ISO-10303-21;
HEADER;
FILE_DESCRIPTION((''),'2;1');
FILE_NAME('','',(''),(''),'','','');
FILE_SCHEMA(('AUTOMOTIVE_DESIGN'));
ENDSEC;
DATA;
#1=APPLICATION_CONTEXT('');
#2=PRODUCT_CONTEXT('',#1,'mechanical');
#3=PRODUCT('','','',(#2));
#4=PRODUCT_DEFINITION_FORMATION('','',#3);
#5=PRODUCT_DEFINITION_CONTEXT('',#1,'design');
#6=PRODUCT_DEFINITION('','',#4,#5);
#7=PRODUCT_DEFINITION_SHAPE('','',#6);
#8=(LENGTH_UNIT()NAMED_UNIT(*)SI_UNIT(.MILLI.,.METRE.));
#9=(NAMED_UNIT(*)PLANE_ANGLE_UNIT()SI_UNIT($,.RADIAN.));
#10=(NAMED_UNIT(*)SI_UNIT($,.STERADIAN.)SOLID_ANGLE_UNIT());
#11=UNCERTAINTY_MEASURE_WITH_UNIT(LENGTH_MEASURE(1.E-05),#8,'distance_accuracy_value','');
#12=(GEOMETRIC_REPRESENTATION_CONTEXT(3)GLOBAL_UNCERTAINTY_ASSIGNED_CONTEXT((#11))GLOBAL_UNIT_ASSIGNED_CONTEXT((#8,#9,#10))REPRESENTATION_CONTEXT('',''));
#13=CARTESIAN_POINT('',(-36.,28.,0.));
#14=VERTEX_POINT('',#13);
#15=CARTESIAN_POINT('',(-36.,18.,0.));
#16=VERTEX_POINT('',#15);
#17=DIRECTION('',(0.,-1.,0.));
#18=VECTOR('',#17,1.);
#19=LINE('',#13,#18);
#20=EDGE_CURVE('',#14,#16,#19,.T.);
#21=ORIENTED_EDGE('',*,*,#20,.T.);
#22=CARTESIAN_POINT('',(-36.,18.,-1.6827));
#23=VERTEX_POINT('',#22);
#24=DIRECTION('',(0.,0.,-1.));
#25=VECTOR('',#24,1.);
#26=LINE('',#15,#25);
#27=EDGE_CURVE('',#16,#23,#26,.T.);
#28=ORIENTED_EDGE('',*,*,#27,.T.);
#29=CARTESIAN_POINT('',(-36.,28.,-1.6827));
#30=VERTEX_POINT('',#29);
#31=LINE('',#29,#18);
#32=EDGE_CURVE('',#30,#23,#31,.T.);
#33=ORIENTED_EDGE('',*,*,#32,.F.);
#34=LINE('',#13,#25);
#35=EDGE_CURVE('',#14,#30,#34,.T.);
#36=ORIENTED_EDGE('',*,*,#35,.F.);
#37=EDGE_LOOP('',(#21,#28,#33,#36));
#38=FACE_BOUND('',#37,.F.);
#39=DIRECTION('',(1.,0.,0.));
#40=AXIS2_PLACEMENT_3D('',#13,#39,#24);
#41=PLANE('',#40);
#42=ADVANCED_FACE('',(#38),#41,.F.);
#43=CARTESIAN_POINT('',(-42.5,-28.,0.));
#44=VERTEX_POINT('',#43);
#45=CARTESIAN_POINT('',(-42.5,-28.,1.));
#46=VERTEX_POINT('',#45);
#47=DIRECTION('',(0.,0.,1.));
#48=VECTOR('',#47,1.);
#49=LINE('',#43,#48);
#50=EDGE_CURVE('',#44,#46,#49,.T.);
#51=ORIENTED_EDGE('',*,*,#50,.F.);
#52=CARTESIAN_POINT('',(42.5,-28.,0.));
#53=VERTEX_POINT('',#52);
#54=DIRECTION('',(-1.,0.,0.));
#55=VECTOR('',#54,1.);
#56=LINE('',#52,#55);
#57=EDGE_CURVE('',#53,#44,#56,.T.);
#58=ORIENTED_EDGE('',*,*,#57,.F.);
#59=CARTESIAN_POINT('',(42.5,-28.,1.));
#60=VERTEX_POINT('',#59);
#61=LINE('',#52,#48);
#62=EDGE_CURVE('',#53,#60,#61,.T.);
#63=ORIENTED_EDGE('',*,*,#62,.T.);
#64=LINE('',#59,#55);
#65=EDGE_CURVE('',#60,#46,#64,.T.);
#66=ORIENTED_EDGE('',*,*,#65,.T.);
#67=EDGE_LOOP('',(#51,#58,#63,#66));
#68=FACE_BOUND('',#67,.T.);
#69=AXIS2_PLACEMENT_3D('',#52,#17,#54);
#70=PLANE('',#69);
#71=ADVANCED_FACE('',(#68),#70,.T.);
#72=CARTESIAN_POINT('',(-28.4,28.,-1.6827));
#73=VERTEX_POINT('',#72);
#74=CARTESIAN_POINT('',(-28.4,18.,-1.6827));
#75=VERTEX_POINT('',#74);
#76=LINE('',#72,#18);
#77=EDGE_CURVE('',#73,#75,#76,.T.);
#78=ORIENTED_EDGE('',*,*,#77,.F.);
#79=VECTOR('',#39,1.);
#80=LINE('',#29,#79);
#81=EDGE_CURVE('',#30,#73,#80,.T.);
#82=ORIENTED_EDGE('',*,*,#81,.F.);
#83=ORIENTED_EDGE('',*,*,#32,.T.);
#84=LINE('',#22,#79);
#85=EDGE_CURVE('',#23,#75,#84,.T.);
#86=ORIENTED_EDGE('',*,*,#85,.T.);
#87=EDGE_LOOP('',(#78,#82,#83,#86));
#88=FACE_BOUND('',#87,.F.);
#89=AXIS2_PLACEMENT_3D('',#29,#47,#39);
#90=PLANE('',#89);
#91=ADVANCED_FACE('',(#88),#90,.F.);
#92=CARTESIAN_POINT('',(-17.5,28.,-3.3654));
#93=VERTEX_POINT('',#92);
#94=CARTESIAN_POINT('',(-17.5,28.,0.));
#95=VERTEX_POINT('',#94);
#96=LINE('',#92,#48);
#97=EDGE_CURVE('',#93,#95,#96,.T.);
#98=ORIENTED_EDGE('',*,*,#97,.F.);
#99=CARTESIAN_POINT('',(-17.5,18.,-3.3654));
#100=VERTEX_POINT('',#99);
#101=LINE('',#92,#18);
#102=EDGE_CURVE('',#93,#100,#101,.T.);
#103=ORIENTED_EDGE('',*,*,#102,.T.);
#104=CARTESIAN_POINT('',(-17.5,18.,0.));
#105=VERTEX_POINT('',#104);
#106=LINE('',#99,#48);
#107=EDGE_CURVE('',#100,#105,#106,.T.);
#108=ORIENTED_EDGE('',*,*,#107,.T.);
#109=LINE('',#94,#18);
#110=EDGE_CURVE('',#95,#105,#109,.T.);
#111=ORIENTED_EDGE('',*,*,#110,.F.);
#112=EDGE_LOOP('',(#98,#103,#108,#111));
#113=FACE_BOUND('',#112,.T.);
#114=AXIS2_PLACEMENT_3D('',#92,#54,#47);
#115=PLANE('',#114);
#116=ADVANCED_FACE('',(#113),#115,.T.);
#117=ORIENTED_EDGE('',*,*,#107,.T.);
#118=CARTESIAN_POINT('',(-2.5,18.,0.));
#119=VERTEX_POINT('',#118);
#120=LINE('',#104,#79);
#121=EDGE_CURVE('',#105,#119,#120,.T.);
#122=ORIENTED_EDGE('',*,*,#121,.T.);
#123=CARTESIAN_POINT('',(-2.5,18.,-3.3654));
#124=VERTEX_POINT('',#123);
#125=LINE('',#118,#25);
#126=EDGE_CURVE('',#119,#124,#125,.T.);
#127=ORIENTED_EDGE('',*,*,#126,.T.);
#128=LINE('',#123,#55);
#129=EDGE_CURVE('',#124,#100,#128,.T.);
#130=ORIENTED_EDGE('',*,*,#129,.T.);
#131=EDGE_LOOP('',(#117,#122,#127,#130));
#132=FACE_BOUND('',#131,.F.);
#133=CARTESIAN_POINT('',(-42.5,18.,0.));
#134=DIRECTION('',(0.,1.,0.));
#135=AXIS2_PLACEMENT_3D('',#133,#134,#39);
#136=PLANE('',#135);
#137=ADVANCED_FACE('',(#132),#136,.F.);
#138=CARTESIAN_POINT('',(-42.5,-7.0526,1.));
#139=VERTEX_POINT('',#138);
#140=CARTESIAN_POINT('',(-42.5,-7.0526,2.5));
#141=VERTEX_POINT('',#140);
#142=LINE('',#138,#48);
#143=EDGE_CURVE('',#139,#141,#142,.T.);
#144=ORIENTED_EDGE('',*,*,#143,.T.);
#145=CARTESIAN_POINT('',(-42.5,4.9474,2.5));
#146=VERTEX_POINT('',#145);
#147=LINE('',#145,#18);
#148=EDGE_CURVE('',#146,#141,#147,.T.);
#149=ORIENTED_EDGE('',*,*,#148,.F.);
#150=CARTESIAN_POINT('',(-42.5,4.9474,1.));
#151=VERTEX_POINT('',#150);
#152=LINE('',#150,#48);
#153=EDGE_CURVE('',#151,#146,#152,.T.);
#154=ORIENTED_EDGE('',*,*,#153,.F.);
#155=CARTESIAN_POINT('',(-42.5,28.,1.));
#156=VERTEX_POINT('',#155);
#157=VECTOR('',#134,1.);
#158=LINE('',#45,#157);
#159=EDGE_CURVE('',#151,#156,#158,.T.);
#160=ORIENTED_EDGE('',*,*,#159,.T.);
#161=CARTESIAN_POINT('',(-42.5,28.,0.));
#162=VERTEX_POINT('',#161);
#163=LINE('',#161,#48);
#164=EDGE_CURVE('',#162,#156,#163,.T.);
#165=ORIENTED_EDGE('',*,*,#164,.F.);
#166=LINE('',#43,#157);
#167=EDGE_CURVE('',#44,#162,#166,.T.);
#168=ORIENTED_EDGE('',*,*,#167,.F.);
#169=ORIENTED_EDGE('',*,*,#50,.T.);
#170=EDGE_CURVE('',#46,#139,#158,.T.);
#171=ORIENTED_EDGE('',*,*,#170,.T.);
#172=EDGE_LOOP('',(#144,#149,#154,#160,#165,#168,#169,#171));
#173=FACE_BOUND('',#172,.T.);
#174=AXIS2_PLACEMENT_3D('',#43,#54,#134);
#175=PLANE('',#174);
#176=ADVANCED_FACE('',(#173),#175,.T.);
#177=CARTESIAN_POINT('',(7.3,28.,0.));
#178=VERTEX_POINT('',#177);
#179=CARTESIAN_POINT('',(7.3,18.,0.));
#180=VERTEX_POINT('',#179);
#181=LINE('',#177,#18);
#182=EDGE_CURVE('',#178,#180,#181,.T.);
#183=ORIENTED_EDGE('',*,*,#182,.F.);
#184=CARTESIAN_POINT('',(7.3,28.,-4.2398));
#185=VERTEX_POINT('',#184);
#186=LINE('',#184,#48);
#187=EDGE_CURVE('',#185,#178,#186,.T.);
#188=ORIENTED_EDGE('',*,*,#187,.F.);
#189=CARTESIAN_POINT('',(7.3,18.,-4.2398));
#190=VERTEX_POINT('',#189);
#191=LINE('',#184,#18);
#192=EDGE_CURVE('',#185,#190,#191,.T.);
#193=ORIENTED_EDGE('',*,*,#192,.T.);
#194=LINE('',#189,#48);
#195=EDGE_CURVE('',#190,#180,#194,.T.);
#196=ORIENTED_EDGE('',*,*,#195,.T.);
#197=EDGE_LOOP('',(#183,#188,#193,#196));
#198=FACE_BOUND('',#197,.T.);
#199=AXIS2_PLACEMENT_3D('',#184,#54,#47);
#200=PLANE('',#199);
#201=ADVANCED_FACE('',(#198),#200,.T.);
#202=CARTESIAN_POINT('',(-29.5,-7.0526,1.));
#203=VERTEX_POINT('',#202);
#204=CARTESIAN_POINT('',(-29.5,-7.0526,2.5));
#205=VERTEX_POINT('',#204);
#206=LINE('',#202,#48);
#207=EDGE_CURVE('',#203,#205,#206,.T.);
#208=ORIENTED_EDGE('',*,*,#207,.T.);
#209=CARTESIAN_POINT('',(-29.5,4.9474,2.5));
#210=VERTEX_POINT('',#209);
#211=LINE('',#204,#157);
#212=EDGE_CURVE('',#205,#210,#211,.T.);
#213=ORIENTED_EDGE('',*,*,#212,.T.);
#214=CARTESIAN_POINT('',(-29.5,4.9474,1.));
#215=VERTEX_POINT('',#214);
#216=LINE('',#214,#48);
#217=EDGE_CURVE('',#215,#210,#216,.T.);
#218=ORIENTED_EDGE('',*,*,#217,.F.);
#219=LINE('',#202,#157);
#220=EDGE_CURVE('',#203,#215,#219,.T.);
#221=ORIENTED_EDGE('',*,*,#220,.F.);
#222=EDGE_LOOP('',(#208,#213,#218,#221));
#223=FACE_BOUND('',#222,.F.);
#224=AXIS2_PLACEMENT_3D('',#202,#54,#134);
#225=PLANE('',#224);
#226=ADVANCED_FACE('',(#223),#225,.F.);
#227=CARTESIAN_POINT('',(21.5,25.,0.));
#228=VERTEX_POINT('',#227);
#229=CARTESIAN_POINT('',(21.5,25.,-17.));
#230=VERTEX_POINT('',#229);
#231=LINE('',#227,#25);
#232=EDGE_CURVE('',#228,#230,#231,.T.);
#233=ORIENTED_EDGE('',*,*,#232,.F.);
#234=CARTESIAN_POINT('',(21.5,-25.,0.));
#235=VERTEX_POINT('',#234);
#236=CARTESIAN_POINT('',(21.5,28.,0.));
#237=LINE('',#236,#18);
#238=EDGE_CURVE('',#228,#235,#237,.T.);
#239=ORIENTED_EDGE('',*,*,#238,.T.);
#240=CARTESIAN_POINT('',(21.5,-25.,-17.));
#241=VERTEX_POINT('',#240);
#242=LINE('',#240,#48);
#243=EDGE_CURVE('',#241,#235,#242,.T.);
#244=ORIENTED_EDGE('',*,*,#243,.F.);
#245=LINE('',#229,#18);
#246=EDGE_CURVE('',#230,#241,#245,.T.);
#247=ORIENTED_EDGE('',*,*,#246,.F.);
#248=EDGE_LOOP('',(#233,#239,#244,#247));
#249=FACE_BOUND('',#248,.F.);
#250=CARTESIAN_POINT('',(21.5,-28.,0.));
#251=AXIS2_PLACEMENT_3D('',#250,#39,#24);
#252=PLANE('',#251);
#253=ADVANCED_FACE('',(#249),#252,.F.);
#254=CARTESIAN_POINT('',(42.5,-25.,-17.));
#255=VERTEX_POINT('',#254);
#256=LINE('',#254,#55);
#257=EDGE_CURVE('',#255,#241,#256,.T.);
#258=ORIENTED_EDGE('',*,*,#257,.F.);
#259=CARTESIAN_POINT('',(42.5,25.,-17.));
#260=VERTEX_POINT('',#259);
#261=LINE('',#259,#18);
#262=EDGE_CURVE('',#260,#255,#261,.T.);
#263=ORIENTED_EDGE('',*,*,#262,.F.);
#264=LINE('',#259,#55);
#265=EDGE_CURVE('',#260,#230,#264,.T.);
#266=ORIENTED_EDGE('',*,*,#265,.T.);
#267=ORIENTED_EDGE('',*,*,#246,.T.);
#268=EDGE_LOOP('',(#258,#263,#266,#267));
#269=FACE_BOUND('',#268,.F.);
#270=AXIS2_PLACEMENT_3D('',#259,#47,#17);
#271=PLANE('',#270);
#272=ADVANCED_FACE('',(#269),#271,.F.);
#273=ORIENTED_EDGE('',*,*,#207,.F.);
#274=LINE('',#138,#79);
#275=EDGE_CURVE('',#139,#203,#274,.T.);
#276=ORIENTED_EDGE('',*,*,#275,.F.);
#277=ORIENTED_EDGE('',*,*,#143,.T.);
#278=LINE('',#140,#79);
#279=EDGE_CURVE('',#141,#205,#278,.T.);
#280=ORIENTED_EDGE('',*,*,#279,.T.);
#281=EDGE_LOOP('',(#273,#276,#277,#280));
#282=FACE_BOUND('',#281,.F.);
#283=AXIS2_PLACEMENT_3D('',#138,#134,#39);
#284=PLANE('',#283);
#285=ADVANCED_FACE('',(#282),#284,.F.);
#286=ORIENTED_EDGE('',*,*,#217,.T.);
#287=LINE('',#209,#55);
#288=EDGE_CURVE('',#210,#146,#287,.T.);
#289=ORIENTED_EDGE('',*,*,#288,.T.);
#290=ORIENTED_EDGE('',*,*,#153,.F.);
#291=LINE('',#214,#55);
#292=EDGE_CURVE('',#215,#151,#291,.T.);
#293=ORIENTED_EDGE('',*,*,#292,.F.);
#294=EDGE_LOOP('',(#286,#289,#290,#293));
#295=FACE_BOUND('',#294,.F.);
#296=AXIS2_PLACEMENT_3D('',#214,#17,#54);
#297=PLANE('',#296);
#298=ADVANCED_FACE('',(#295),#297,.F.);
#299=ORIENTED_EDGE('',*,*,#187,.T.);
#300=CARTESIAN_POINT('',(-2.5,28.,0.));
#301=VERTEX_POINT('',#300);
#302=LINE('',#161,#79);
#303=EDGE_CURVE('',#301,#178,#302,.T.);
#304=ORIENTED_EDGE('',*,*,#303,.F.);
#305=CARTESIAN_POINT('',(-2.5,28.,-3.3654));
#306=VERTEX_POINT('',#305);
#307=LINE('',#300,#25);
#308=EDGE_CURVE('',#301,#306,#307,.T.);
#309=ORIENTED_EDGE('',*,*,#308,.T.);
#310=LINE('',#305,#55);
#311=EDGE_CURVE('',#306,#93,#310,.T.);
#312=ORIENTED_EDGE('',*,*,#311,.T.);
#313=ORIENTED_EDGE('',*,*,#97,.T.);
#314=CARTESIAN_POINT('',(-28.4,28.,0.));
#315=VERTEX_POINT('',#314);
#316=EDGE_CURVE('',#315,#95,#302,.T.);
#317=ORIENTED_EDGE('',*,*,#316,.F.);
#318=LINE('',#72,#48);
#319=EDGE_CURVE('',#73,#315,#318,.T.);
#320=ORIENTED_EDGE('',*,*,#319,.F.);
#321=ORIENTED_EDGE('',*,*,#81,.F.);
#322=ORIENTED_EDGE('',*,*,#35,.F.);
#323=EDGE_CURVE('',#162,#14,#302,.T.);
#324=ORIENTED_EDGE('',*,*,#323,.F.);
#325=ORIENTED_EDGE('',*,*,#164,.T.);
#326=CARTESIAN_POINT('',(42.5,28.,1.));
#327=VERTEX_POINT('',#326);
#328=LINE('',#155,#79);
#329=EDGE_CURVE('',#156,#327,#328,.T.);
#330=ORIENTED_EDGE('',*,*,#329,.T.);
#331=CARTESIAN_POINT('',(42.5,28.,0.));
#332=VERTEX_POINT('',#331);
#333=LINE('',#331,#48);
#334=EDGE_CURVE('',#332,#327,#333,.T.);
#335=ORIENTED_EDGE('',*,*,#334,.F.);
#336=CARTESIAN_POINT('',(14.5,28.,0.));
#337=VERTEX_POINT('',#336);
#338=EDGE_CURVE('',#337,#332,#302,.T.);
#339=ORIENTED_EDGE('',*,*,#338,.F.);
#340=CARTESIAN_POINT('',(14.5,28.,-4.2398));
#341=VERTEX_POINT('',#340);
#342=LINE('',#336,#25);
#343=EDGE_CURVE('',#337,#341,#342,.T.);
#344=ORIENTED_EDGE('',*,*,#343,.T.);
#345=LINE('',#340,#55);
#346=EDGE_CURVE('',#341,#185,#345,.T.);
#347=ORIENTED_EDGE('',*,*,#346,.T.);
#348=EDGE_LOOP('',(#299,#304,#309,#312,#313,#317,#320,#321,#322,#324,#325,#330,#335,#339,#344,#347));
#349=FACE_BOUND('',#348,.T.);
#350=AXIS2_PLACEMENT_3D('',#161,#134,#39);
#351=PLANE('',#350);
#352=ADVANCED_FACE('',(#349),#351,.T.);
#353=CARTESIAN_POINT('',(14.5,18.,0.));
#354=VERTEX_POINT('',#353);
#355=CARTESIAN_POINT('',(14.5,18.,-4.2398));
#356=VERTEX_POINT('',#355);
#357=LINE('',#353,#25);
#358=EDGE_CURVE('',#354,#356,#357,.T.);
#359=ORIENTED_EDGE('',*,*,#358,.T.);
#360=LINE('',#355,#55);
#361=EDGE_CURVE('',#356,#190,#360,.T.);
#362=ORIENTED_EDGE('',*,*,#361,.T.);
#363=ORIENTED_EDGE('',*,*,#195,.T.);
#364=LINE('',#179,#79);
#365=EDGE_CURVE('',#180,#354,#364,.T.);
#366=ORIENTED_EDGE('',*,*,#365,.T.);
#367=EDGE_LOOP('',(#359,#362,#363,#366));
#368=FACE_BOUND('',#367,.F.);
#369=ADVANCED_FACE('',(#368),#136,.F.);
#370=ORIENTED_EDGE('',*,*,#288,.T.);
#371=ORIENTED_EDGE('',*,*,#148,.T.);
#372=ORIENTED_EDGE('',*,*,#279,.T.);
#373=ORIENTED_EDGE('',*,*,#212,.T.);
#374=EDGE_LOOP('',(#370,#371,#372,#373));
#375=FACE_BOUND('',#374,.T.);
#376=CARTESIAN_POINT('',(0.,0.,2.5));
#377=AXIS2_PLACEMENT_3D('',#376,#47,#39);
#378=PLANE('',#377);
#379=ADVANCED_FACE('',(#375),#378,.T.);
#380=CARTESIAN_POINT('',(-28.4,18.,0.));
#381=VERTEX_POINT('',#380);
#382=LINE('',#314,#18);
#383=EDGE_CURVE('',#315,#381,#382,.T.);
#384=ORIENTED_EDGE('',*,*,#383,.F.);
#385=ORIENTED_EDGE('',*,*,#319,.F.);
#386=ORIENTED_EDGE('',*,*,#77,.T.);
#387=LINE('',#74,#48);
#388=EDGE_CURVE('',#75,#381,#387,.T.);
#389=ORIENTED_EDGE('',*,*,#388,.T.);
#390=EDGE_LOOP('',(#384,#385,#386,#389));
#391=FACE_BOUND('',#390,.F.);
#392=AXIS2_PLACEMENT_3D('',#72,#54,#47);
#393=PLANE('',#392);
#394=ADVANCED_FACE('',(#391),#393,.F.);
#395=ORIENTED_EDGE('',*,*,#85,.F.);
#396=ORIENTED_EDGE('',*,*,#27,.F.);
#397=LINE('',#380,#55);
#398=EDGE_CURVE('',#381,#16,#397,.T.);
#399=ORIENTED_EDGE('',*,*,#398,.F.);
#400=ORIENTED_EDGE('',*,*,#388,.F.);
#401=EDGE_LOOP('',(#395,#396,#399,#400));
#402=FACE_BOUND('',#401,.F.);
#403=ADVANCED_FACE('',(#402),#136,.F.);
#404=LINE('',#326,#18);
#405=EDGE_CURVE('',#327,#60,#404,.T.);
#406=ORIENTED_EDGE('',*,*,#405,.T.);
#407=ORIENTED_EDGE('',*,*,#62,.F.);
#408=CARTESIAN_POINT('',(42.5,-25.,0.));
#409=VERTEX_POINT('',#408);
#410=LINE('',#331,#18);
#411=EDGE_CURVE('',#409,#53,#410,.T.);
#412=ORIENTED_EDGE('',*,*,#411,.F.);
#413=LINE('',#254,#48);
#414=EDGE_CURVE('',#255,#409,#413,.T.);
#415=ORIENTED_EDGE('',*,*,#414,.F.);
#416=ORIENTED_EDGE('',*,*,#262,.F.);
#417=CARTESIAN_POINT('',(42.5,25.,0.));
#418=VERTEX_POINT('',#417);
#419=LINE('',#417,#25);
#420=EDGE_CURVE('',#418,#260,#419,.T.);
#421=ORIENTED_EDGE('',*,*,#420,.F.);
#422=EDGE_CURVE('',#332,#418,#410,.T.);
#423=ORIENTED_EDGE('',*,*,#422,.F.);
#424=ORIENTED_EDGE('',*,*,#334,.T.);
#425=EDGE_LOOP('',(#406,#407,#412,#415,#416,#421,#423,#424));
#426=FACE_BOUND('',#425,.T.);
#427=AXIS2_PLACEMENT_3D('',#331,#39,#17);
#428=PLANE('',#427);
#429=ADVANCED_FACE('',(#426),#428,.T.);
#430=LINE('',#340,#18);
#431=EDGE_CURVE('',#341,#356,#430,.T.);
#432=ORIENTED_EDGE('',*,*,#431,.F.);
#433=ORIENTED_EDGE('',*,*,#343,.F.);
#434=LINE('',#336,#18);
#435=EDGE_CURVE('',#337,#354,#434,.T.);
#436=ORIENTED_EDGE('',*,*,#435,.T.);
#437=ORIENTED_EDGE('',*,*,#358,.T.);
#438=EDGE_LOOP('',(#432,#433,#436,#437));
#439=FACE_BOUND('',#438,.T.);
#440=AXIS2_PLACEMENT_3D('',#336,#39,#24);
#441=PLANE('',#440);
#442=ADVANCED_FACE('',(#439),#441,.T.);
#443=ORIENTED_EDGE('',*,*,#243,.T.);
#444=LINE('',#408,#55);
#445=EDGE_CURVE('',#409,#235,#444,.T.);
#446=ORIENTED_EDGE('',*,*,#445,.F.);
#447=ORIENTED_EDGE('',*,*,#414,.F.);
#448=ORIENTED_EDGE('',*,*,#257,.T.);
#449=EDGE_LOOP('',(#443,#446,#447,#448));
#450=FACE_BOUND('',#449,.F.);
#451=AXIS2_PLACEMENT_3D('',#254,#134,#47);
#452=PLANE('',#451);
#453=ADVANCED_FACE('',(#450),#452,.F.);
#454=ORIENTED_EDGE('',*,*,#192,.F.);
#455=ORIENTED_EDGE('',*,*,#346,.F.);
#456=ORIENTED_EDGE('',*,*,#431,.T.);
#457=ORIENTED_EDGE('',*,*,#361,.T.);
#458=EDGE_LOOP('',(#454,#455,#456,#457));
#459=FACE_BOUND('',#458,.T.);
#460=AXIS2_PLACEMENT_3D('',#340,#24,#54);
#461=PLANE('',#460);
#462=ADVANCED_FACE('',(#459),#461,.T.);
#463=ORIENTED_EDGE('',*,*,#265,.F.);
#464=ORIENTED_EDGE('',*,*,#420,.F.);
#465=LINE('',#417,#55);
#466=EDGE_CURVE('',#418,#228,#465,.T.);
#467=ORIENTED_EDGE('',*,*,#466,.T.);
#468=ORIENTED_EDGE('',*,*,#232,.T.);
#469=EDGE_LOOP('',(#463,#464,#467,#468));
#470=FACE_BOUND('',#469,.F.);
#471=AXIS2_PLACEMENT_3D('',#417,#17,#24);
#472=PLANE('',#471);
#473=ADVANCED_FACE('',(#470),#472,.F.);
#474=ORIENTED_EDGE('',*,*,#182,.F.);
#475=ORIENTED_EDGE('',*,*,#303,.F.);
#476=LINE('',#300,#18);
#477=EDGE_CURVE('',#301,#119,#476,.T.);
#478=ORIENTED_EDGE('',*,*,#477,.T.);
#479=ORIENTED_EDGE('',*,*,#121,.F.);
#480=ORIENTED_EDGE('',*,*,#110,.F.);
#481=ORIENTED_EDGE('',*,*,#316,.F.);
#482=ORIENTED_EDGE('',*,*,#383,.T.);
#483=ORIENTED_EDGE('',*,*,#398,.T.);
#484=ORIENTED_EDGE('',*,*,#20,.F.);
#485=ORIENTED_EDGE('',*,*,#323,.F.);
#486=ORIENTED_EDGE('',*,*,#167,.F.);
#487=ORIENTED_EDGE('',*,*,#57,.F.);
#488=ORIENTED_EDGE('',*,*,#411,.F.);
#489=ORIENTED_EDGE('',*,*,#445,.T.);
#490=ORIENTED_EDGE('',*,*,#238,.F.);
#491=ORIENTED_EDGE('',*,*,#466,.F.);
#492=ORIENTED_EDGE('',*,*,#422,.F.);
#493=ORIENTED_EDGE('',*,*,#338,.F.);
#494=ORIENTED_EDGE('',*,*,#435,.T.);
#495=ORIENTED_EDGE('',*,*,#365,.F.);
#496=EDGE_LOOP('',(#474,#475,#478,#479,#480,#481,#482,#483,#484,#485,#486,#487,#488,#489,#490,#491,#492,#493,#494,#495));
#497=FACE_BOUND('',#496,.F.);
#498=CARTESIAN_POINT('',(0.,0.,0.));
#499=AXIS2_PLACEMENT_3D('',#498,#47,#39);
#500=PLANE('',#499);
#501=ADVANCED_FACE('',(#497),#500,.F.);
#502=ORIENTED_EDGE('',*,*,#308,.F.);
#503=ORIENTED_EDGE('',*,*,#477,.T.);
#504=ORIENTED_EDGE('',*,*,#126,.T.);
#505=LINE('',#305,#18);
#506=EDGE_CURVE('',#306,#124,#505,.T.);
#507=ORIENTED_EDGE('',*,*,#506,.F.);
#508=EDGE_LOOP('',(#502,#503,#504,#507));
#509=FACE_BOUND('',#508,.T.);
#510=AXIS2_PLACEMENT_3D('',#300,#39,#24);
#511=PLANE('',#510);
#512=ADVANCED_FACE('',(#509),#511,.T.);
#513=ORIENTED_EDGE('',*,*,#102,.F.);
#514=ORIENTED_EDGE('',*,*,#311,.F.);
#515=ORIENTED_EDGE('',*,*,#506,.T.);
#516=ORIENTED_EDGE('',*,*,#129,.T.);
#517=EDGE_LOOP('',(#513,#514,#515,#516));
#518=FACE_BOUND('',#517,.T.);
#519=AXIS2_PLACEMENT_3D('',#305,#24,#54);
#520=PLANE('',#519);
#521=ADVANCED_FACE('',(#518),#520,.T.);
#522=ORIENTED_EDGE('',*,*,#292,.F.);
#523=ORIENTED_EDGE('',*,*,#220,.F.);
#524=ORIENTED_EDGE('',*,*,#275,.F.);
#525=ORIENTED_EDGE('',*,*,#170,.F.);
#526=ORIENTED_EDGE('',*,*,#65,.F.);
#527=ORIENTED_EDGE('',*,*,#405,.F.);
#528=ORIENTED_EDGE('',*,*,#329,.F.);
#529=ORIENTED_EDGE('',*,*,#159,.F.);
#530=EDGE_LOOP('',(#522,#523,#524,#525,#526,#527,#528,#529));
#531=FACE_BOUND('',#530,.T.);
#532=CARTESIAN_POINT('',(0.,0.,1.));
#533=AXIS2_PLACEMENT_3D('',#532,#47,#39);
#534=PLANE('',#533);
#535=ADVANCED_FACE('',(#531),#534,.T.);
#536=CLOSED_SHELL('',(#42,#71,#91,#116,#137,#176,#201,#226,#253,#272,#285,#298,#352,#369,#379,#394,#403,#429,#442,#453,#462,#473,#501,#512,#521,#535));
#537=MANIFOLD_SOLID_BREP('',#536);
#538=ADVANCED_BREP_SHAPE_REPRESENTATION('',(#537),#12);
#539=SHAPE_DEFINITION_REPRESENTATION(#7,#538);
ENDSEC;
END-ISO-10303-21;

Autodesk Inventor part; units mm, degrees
ref_plane "YZ Plane" through (0, 0, 0) normal (1, 0, 0) x (0, 1, 0)
ref_plane "XZ Plane" through (0, 0, 0) normal (0, 1, 0) x (-1, 0, 0)
ref_plane "XY Plane" through (0, 0, 0) normal (0, 0, 1) x (1, 0, 0)
sketch "Sketch1" plane through (0, 0, 0) normal (0, 0, 1) x (1, 0, 0)
  line L0 (42.5, -28) -> (-42.5, -28)
  line L1 (-42.5, -28) -> (-42.5, 28)
  line L2 (-42.5, 28) -> (42.5, 28)
  line L3 (42.5, 28) -> (42.5, -28)
  line L4 (42.5, -28) -> (-42.5, 28) construction
  line L5 (-42.5, -28) -> (42.5, 28) construction
  point P0 (0, 0)
  dimension "d0" = 85
  dimension "d1" = 56
extrude "Extrusion1" add sketch "Sketch1" along normal blind 1
sketch "Sketch2" plane through (42.5, -28, 0) normal (1, 0, 0) x (0, 0, -1)
  line L0 (0, 56) -> (0, 0) projected
  line L1 (0, 53) -> (17, 53)
  line L2 (17, 53) -> (17, 3)
  line L3 (17, 3) -> (0, 3)
  line L4 (0, 3) -> (0, 53)
  line L5 (0, 56) -> (-1, 56) projected
  line L6 (0, 0) -> (-1, 0) projected
  point P0 (0, 28)
  dimension "d4" = 3
  dimension "d5" = 3
  dimension "d6" = 17
extrude "Extrusion2" add sketch "Sketch2" against normal blind 21
sketch "Sketch3" plane through (-42.5, 28, 0) normal (0, 1, 0) x (1, 0, 0)
  line L0 (49.8, 0) -> (57, 0)
  line L1 (57, 0) -> (57, 4.2398)
  line L2 (57, 4.2398) -> (49.8, 4.2398)
  line L3 (49.8, 4.2398) -> (49.8, 0)
  line L4 (25, 0) -> (40, 0)
  line L5 (40, 0) -> (40, 3.3654)
  line L6 (40, 3.3654) -> (25, 3.3654)
  line L7 (25, 3.3654) -> (25, 0)
  line L8 (6.5, 1.6827) -> (14.1, 1.6827)
  line L9 (14.1, 1.6827) -> (14.1, 0)
  line L10 (14.1, 0) -> (6.5, 0)
  line L11 (6.5, 0) -> (6.5, 1.6827)
  line L12 (85, 0) -> (85, -1) projected
  line L13 (0, 0) -> (0, -1) projected
  point P0 (42.5, 0)
  dimension "d9" = 28
  dimension "d10" = 7.2
  dimension "d11" = 6.5
  dimension "d12" = 7.6
  dimension "d13" = 15
  dimension "d14" = 25
extrude "Extrusion3" add sketch "Sketch3" against normal blind 10
sketch "Sketch4" plane through (0, 0, 1) normal (0, 0, 1) x (1, 0, 0)
  line L0 (-42.5, -7.0526) -> (-29.5, -7.0526)
  line L1 (-29.5, -7.0526) -> (-29.5, 4.9474)
  line L2 (-29.5, 4.9474) -> (-42.5, 4.9474)
  line L3 (-42.5, 4.9474) -> (-42.5, -7.0526)
  line L4 (-42.5, 28) -> (-42.5, -28) projected
  point P0 (0, 0)
  dimension "d17" = 12
  dimension "d18" = 13
extrude "Extrusion4" add sketch "Sketch4" along normal blind 1.5
properties part number "Raspi"
